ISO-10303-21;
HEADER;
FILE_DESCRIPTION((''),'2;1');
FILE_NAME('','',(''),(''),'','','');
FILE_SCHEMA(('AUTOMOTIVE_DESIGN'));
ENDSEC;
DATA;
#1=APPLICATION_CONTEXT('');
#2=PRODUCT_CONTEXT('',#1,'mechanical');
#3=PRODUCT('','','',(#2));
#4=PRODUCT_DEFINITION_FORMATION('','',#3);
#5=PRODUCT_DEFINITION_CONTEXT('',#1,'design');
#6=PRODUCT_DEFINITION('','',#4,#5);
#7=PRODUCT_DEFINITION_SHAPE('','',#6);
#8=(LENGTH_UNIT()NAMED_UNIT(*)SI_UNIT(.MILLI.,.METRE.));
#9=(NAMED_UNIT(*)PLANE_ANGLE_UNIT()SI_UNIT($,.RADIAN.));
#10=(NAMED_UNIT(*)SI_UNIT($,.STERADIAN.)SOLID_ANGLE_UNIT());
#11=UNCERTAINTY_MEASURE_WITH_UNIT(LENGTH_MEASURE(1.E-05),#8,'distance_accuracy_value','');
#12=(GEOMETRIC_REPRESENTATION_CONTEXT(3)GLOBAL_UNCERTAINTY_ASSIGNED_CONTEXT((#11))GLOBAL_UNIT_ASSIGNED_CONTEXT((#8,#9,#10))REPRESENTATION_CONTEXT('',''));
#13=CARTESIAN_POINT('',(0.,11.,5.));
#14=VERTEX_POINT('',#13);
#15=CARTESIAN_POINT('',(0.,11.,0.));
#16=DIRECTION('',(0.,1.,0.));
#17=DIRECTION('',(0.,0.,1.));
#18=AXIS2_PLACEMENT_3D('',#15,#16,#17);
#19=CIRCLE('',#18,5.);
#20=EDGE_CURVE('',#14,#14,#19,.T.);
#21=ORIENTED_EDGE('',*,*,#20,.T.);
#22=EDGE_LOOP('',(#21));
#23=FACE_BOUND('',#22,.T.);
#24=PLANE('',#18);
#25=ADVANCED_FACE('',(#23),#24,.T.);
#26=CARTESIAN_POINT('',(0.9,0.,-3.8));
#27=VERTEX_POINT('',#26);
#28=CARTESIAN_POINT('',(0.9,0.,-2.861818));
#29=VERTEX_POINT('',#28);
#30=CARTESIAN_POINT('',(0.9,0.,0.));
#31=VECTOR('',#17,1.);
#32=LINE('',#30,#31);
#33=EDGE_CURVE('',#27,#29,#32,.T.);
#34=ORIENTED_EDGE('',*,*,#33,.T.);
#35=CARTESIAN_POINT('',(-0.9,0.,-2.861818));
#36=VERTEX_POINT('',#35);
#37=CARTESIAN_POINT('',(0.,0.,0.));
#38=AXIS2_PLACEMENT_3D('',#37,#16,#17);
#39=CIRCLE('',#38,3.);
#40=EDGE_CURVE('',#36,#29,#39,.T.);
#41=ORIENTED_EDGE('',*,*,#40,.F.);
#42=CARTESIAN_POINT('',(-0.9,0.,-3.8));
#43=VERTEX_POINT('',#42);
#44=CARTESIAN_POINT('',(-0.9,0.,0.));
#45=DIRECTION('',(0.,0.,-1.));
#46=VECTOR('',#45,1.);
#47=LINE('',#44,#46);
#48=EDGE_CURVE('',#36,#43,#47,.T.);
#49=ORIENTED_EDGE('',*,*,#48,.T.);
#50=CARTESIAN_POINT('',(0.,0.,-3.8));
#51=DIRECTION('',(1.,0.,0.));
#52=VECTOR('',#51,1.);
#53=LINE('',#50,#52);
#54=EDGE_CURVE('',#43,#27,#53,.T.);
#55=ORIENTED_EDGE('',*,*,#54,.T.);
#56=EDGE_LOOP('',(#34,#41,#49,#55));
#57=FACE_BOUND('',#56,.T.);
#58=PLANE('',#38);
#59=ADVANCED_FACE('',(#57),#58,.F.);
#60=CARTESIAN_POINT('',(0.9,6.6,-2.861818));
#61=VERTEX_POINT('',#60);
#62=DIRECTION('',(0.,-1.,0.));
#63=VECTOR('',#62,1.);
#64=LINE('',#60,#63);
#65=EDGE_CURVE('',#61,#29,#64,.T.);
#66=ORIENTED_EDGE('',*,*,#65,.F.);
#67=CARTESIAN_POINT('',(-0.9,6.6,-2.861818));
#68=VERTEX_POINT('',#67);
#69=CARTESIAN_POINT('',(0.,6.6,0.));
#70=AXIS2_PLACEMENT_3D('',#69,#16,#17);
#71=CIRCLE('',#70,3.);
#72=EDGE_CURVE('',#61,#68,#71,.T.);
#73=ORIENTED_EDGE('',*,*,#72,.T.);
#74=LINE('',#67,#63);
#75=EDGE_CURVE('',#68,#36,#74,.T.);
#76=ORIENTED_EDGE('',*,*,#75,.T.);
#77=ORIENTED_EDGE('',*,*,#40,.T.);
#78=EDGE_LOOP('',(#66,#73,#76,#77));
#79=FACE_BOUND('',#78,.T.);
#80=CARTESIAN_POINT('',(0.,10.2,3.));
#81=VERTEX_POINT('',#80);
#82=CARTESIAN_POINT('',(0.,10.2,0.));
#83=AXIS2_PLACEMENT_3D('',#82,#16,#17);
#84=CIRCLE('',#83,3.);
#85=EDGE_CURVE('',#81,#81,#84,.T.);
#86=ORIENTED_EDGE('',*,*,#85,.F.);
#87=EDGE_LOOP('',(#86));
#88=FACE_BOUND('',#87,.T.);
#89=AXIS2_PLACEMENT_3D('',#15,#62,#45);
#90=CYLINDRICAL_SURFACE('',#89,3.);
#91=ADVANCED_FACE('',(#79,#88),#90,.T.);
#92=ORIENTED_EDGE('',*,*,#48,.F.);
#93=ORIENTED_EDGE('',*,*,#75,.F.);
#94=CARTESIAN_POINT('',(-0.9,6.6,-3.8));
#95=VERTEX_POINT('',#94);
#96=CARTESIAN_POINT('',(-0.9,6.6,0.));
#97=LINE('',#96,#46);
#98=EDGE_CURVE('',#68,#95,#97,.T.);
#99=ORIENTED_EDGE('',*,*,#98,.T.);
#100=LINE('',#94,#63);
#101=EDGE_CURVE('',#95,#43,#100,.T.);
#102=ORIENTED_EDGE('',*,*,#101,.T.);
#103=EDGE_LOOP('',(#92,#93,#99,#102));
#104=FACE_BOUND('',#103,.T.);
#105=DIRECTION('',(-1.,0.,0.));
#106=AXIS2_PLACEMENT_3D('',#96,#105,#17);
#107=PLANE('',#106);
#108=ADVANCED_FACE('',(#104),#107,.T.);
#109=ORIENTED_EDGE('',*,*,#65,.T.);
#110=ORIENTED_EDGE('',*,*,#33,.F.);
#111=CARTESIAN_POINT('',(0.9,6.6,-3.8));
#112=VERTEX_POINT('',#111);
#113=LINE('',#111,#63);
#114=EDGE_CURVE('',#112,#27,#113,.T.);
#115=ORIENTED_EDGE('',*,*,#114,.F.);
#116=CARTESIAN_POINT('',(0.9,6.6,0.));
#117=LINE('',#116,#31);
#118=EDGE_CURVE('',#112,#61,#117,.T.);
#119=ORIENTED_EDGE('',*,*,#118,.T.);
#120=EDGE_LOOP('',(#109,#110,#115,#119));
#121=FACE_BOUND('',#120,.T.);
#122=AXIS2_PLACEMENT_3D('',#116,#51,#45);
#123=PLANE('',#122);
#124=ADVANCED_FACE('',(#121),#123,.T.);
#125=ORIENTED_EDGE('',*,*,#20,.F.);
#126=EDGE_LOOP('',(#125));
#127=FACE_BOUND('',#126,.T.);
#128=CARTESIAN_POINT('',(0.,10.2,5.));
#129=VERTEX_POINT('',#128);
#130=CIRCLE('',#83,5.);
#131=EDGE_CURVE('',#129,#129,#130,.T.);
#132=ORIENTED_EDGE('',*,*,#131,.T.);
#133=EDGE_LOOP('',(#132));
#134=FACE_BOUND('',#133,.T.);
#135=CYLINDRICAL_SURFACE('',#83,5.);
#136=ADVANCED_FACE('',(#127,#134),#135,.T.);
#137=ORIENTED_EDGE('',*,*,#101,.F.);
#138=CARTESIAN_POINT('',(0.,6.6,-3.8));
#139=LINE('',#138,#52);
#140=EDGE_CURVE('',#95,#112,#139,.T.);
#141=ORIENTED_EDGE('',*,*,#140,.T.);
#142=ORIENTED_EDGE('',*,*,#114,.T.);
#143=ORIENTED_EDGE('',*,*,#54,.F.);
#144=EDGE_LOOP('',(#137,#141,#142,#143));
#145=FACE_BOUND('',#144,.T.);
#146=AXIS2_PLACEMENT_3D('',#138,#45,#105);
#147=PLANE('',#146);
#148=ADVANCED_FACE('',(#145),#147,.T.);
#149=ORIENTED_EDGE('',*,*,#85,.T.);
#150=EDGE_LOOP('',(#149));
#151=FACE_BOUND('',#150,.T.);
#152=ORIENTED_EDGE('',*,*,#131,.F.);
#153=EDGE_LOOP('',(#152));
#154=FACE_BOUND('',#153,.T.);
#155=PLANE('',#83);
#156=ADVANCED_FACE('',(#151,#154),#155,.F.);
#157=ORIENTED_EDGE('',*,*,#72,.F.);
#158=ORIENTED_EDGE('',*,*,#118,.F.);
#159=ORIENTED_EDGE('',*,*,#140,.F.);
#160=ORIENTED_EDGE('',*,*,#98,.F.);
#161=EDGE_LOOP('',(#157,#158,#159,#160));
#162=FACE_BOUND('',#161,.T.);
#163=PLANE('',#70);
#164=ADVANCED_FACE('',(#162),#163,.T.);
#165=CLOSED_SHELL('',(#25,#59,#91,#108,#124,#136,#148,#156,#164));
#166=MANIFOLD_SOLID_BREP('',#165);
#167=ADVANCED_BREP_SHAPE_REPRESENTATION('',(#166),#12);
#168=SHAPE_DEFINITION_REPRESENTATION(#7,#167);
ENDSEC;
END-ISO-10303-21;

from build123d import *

# Parameters (mm, degrees)
EXTRUDE_2_DEPTH = 11
EXTRUDE_3_DEPTH = 6.6
SKETCH_3_R      = 5
EXTRUDE_4_DEPTH = 0.8


with BuildPart() as part:
    # 스케치1 → 보스-돌출2 (new body)
    with BuildSketch(Plane(origin=(0, 0, 0), x_dir=(1, 0, 0), z_dir=(0, 1, 0))):
        with BuildLine():
            ThreePointArc((0.9, 2.861817604), (0, 3), (-0.9, 2.861817604))
            ThreePointArc((-0.9, 2.861817604), (-1.774823935, -2.418677324), (3, 0))
            ThreePointArc((3, 0), (2.418677324, 1.774823935), (0.9, 2.861817604))
        make_face()
    extrude(amount=EXTRUDE_2_DEPTH)

    # 스케치1<3> → 보스-돌출3 (add)
    with BuildSketch(Plane(origin=(0, 0, 0), x_dir=(1, 0, 0), z_dir=(0, 1, 0))):
        with BuildLine():
            Line((-0.9, 3.8), (-0.9, 2.861817604))
            ThreePointArc((-0.9, 2.861817604), (0, 3), (0.9, 2.861817604))
            Line((0.9, 2.861817604), (0.9, 3.8))
            Line((0.9, 3.8), (-0.9, 3.8))
        make_face()
    extrude(amount=EXTRUDE_3_DEPTH)

    # 스케치3 → 보스-돌출4 (add)
    with BuildSketch(Plane(origin=(0, 11, 0), x_dir=(1, 0, 0), z_dir=(0, 1, 0))):
        Circle(SKETCH_3_R)
    extrude(amount=-EXTRUDE_4_DEPTH)


solid = part.part
